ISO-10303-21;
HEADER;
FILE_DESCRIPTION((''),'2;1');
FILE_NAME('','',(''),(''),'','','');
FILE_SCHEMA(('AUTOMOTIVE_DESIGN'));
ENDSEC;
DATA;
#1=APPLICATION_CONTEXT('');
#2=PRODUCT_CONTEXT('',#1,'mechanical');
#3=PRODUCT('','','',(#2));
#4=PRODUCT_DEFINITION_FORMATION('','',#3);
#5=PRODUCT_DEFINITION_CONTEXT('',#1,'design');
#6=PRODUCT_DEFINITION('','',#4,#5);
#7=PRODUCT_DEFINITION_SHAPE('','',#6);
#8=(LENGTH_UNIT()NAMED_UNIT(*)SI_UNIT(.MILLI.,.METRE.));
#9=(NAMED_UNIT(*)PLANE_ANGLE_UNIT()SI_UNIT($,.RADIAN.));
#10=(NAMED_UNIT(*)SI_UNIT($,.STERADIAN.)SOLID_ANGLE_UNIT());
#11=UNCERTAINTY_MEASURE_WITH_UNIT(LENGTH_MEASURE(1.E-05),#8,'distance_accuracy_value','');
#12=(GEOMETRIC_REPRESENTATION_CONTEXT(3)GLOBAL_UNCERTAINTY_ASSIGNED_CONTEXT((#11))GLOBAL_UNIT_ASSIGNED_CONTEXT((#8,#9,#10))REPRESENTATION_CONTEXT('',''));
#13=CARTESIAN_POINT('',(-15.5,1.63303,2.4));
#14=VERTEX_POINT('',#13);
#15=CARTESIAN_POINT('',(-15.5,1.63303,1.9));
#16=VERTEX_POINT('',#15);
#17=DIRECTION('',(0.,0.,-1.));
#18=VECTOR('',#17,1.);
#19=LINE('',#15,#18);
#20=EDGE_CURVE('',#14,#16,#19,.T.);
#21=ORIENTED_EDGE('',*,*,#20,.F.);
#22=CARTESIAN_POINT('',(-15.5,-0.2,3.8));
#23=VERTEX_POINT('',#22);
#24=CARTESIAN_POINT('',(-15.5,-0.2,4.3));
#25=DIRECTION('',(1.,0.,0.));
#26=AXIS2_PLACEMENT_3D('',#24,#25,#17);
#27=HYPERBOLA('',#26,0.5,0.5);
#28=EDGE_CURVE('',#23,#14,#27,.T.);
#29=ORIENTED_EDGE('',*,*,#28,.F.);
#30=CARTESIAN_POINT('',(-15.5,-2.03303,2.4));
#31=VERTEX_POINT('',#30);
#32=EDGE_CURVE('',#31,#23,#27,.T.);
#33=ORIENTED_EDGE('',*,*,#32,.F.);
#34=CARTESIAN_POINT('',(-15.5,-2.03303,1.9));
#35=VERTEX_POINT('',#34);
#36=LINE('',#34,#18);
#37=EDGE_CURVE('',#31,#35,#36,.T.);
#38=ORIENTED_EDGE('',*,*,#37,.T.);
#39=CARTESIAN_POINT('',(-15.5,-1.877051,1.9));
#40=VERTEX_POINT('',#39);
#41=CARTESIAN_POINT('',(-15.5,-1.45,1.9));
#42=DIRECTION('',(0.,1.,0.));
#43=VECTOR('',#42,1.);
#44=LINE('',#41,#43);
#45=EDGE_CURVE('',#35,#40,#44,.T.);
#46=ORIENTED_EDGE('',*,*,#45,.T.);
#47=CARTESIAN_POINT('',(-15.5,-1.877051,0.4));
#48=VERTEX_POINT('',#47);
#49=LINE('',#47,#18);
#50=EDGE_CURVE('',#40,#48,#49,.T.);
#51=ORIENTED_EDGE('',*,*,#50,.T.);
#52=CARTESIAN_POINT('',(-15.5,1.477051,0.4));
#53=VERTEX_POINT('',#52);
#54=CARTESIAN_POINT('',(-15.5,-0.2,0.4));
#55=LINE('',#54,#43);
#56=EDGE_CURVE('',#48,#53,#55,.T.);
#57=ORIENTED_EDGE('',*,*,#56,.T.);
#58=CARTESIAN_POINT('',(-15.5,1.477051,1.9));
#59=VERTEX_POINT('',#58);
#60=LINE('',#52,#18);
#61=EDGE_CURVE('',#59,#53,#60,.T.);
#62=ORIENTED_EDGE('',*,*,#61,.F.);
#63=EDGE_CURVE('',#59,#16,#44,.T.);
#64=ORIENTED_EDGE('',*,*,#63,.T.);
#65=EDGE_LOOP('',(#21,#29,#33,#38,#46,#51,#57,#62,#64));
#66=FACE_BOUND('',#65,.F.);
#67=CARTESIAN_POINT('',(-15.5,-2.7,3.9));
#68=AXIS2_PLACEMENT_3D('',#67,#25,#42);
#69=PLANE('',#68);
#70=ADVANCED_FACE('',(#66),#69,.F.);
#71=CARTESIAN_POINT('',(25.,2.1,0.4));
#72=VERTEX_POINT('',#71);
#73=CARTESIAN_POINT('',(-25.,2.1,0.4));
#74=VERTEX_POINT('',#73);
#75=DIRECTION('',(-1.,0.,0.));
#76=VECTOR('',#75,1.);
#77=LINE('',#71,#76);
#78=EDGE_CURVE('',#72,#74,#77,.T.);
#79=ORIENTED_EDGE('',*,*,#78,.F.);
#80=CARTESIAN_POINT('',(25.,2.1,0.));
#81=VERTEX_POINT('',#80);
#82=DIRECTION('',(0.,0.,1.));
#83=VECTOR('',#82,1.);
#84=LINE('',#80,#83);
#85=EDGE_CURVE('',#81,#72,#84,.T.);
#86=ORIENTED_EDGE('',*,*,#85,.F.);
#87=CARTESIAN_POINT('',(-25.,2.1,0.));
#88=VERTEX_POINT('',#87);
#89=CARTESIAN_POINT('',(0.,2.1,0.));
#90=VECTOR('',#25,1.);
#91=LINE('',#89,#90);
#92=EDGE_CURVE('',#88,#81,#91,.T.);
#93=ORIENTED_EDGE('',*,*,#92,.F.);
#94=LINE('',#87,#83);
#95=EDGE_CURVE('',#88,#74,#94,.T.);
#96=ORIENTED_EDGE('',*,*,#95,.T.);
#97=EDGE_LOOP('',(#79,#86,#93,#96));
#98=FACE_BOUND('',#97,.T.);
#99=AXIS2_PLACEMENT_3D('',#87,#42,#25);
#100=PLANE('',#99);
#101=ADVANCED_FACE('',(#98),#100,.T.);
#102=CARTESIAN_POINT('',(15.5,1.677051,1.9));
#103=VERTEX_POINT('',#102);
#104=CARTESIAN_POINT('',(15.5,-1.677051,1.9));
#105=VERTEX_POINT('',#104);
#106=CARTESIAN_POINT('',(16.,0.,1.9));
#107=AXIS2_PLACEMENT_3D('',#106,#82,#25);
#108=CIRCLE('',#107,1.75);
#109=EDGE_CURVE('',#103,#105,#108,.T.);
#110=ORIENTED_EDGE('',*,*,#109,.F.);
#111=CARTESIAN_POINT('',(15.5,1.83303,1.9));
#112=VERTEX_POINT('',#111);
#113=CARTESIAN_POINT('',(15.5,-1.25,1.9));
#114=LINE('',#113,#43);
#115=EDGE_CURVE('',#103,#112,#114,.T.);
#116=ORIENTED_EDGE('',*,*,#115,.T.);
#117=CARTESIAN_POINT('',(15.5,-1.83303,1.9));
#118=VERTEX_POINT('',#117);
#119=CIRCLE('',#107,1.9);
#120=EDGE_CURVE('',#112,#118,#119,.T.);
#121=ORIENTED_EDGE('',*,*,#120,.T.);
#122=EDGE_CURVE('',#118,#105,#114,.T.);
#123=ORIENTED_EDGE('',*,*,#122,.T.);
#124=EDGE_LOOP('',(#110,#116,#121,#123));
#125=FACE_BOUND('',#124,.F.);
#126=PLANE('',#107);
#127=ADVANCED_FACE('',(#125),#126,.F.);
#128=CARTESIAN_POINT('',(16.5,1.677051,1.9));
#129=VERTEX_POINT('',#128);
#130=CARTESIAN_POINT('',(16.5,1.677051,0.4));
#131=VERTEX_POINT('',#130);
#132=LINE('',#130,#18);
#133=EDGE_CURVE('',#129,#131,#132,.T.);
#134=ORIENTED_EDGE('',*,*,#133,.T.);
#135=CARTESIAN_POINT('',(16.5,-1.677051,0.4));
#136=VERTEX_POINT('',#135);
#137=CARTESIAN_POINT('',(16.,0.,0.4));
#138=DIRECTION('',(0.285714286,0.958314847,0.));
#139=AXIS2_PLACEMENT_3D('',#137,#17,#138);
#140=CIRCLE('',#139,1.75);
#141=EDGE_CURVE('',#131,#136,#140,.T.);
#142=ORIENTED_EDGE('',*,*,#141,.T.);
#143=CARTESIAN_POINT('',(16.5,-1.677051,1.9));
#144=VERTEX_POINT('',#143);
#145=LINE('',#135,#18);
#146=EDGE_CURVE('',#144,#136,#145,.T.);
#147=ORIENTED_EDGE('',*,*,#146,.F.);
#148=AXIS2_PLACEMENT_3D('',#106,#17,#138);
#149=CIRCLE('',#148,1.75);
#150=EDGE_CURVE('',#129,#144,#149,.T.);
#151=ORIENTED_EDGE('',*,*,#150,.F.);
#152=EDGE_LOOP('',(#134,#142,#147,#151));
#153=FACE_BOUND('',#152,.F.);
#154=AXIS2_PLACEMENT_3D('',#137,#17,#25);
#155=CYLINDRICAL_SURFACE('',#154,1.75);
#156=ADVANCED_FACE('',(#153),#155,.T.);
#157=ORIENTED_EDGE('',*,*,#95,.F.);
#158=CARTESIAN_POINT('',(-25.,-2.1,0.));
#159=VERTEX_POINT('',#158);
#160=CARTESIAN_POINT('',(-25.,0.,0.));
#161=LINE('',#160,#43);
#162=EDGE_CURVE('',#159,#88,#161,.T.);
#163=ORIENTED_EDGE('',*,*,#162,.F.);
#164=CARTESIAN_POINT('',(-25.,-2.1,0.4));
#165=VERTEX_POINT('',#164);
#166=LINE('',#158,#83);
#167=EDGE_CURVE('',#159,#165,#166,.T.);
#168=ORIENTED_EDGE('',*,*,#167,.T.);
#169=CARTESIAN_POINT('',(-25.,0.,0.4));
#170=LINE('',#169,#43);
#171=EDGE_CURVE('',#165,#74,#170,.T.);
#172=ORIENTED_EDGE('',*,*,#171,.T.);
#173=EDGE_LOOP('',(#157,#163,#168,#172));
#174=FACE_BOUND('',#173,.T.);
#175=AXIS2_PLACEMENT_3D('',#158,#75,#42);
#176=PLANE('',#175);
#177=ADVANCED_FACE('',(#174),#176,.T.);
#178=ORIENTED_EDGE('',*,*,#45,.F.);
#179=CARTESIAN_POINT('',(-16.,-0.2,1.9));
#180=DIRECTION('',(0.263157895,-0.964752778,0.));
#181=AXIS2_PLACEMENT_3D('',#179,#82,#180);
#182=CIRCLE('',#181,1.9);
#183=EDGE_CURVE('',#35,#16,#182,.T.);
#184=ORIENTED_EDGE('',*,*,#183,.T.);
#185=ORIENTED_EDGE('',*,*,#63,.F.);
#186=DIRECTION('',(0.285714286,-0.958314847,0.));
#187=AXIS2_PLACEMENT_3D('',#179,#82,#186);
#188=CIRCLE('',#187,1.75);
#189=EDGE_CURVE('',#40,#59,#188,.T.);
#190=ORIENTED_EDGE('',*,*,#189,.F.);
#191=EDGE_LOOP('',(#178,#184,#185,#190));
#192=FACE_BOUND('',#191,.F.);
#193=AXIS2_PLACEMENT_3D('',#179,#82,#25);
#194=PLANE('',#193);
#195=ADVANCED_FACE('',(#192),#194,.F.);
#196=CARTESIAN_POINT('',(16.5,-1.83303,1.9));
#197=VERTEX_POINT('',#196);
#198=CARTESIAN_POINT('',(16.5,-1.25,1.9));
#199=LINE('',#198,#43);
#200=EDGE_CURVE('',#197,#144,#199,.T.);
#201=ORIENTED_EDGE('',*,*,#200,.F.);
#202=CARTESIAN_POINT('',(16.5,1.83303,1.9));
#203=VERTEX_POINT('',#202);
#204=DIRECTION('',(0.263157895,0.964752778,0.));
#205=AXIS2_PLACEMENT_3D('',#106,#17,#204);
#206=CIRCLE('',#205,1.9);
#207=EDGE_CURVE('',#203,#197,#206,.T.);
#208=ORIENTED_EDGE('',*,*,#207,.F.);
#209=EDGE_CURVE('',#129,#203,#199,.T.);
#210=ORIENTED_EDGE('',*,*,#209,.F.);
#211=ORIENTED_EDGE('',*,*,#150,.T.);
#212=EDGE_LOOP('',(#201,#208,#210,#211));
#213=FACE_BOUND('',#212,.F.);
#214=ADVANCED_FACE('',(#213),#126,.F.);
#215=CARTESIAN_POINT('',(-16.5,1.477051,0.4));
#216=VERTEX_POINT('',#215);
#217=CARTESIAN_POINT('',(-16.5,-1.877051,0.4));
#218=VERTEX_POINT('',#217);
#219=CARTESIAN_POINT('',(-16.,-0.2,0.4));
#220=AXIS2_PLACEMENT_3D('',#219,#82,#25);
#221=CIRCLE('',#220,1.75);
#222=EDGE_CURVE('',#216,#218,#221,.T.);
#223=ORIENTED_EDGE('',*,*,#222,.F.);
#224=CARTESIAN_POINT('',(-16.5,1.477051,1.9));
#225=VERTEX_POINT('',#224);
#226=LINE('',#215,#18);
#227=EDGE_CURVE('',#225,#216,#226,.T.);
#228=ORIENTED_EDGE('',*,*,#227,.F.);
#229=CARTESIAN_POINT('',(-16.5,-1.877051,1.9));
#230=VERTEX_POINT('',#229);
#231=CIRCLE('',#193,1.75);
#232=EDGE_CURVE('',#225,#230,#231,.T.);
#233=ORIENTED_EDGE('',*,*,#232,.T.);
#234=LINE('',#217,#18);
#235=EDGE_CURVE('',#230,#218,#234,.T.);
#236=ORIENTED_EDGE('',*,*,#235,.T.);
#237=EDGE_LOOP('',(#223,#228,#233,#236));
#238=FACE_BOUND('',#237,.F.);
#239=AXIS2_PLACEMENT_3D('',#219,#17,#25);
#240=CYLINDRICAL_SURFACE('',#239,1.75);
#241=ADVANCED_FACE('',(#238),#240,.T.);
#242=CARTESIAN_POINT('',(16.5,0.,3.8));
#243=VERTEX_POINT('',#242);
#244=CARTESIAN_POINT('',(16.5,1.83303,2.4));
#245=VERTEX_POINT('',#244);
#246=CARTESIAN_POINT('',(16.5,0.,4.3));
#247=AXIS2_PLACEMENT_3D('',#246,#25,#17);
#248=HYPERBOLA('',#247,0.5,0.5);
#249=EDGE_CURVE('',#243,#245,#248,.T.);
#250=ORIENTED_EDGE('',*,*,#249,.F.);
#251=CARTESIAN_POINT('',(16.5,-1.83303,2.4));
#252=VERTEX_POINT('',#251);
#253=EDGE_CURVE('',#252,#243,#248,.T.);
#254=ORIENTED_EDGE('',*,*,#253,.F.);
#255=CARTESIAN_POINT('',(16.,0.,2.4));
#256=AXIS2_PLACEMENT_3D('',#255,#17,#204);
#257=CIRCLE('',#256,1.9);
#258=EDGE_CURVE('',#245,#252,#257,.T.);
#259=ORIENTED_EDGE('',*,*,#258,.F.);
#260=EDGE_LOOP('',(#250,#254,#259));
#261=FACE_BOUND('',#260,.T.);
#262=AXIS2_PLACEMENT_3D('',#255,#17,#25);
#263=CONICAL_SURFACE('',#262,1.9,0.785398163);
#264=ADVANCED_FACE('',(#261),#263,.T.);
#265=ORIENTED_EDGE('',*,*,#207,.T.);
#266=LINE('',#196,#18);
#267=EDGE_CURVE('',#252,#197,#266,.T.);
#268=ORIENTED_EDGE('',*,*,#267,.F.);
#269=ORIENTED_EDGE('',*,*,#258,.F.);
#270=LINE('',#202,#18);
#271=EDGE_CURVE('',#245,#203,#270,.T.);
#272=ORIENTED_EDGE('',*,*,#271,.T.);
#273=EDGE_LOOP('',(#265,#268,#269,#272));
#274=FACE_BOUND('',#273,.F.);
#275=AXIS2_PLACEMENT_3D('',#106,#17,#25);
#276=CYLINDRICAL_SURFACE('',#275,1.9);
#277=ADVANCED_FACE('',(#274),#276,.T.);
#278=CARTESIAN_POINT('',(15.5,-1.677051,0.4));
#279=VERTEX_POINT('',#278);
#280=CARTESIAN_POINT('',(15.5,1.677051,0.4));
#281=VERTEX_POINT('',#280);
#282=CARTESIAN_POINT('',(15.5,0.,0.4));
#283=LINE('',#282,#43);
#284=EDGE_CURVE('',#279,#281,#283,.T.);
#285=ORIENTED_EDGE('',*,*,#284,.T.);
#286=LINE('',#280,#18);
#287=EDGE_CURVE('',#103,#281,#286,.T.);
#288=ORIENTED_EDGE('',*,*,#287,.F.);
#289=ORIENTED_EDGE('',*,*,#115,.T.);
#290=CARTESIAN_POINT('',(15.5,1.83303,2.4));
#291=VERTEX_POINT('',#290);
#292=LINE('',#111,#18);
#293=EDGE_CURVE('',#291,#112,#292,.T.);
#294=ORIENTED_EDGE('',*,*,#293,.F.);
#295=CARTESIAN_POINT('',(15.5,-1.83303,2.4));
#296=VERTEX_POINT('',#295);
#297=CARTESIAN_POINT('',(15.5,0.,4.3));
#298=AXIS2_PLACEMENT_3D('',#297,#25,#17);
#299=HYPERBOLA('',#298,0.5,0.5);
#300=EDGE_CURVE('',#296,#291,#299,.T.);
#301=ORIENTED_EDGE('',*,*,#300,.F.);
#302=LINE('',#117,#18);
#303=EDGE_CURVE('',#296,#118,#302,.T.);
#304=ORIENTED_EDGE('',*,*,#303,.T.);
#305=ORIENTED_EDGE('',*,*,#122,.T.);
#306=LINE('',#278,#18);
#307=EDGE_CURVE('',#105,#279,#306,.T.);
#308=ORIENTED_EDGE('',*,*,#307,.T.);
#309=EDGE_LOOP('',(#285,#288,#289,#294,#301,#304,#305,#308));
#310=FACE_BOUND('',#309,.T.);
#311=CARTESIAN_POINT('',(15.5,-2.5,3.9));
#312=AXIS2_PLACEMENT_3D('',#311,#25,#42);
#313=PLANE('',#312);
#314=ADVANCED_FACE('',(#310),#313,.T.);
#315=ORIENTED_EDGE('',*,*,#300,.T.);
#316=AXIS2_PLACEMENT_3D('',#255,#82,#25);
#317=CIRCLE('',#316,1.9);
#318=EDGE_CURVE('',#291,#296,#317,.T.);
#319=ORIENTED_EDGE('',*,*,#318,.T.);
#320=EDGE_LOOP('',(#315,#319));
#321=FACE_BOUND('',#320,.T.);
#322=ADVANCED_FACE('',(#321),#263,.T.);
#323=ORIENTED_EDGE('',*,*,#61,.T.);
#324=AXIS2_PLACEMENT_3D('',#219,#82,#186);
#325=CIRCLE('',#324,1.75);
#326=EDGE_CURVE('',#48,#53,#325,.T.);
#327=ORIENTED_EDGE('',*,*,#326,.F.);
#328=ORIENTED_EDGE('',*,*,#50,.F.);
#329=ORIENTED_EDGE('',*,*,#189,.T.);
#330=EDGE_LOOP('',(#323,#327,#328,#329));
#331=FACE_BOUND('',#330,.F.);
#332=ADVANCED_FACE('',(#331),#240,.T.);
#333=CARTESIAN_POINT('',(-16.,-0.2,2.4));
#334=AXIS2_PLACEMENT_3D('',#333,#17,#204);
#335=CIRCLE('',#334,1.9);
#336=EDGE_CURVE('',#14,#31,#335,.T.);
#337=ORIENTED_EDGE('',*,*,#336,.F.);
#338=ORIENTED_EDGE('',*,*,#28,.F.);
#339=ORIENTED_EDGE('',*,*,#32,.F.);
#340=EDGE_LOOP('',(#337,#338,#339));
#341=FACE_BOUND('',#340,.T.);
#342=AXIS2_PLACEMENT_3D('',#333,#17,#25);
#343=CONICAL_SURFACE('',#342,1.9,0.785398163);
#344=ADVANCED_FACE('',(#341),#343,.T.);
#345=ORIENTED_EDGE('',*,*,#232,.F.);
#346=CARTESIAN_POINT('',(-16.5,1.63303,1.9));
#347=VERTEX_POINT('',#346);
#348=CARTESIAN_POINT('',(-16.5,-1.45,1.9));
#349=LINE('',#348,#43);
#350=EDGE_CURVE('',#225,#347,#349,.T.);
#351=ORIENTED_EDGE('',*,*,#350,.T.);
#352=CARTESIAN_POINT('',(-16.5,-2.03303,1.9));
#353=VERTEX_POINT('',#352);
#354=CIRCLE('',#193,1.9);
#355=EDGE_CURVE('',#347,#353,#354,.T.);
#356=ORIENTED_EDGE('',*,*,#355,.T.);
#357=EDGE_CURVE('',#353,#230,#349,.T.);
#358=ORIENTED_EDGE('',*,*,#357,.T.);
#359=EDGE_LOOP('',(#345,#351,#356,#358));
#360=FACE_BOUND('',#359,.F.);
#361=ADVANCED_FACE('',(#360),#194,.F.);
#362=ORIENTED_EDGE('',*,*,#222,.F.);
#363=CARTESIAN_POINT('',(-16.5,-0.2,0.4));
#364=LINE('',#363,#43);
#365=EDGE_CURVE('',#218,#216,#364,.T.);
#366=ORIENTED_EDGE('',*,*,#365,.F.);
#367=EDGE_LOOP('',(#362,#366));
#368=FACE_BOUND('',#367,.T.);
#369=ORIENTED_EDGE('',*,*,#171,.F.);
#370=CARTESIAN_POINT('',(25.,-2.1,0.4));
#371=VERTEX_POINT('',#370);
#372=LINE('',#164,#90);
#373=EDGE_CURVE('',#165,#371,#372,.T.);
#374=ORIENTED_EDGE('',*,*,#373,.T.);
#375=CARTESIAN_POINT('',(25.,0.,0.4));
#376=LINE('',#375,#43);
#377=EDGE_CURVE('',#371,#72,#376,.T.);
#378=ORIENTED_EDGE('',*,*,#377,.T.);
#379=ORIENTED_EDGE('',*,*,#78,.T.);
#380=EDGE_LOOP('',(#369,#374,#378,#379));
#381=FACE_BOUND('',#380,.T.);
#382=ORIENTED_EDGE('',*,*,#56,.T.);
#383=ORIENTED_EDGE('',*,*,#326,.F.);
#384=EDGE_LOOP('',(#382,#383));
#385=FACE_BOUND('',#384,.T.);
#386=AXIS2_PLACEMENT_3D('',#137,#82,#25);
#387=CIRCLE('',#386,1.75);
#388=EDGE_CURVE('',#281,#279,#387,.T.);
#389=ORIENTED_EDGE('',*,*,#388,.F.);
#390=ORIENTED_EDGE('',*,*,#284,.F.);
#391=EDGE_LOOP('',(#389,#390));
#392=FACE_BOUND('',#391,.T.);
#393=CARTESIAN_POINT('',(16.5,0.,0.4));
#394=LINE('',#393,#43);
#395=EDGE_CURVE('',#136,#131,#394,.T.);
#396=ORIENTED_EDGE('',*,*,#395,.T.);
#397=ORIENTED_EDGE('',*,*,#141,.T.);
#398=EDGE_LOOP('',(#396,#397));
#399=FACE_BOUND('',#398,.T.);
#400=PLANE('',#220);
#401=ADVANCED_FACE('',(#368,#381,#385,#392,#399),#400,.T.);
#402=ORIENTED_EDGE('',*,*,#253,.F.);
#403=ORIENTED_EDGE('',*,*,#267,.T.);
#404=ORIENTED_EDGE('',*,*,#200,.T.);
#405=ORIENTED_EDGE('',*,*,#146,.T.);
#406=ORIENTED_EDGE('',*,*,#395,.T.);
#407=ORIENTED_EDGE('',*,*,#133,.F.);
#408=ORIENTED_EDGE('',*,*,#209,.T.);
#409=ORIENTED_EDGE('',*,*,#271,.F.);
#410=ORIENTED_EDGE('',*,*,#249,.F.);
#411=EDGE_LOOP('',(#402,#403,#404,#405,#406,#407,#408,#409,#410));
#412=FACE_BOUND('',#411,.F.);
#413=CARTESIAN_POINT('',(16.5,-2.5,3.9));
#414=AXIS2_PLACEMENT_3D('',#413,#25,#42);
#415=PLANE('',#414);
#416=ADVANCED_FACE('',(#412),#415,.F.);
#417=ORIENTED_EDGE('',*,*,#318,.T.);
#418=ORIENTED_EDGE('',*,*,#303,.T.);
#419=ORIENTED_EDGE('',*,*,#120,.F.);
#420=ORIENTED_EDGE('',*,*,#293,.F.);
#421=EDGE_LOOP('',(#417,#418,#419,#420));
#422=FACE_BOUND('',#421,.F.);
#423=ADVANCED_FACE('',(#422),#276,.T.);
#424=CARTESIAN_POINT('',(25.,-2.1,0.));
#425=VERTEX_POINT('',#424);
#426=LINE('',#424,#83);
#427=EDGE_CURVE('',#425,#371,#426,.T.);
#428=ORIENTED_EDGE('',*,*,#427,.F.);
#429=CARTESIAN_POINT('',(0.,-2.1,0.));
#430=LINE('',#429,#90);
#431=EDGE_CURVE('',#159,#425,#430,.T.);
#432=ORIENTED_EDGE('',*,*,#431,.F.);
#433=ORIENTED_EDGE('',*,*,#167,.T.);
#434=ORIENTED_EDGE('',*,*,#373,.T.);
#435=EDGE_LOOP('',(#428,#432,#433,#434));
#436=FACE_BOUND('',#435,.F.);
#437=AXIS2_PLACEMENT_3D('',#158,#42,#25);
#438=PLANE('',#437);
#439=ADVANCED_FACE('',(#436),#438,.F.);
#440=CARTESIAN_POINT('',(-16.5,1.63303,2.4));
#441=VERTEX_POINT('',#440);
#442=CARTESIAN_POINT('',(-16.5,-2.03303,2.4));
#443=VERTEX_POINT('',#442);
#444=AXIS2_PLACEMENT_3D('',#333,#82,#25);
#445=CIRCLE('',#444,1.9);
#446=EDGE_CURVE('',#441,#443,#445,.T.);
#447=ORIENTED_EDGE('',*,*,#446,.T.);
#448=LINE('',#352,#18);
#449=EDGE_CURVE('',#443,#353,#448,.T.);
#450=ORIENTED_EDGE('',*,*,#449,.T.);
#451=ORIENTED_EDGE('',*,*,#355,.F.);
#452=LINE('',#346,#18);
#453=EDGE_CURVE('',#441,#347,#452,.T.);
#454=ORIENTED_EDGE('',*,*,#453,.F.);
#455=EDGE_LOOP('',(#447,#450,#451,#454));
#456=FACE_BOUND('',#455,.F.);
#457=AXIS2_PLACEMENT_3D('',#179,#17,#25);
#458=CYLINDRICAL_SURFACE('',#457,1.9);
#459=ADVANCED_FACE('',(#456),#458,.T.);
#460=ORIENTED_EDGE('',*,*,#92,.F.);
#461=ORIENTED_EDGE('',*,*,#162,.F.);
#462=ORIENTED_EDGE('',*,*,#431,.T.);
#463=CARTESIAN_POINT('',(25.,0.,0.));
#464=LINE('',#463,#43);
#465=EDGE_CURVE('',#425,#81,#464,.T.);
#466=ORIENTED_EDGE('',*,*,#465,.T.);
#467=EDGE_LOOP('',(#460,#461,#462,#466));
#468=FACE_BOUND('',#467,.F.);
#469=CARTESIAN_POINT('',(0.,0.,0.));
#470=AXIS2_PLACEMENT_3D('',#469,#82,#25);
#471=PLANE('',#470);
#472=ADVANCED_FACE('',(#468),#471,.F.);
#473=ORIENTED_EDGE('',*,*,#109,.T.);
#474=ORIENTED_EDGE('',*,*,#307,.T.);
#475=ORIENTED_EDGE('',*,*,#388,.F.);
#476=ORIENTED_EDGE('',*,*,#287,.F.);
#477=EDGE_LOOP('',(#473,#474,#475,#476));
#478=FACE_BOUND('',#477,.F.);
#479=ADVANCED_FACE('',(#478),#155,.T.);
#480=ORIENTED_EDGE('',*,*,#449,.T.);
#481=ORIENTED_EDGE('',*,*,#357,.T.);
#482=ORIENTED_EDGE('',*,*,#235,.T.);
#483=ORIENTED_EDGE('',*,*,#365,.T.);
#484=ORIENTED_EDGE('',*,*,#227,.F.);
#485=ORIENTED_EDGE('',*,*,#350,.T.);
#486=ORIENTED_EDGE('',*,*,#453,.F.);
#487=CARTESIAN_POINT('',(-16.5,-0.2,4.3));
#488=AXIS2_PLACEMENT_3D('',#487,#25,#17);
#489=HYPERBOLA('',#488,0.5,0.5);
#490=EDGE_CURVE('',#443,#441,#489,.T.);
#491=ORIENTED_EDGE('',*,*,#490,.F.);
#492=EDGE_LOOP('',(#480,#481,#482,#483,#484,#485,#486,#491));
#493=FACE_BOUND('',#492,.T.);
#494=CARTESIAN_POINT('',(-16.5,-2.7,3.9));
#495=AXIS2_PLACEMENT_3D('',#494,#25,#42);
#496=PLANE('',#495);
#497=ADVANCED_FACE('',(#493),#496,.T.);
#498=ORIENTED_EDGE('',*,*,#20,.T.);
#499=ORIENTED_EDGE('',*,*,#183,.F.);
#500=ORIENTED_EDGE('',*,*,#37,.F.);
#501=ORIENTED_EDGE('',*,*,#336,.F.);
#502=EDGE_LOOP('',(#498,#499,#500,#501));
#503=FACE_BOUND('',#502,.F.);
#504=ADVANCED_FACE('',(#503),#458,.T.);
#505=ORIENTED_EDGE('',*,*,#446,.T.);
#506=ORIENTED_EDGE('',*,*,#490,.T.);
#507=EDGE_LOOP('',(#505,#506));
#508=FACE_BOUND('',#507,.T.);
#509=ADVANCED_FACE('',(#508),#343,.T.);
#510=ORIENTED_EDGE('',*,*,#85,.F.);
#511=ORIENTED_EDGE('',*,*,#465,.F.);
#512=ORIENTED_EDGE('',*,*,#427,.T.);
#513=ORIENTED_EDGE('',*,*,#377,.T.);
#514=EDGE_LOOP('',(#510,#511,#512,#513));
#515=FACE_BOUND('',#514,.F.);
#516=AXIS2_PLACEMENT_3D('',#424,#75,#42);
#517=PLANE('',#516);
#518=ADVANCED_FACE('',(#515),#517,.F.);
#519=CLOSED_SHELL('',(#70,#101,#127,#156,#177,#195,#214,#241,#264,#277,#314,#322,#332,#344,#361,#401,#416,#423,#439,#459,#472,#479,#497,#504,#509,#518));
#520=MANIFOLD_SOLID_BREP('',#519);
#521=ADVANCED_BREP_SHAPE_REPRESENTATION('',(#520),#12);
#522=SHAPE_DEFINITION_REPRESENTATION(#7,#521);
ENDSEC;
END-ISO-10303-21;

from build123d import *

# Parameters (mm, degrees)
SKICA2_W                 = 50
SKICA2_H                 = 4.2
P_IDAT_VYSUNUT_M2_DEPTH  = 0.4
SKICA3_R                 = 1.75
P_IDAT_VYSUNUT_M3_DEPTH  = 1.5
SKICA5_R                 = 1.9
P_IDAT_VYSUNUT_M5_DEPTH  = 2
ZKOSEN_2_SIZE            = 1.5
SKICA7_W                 = 1
SKICA7_H                 = 5
ODEBRAT_VYSUNUT_M1_DEPTH = 3.5


with BuildPart() as part:
    # Skica2 → Přidat vysunutím2 (new body)
    with BuildSketch(Plane.XY):
        Rectangle(SKICA2_W, SKICA2_H)
    extrude(amount=P_IDAT_VYSUNUT_M2_DEPTH)

    # Skica3 → Přidat vysunutím3 (add)
    with BuildSketch(Plane.XY.offset(0.4)):
        with Locations((-16, -0.2)):
            Circle(SKICA3_R)
        with Locations((16, 0)):
            Circle(SKICA3_R)
    extrude(amount=P_IDAT_VYSUNUT_M3_DEPTH)

    # Skica5 → Přidat vysunutím5 (add)
    with BuildSketch(Plane.XY.offset(1.9)):
        with Locations((-16, -0.2)):
            Circle(SKICA5_R)
        with Locations((16, 0)):
            Circle(SKICA5_R)
    extrude(amount=P_IDAT_VYSUNUT_M5_DEPTH)

    # Zkosení2
    zkosen_2_edges = [part.edges().sort_by_distance(p)[0] for p in [
        (-17.9, -0.2, 3.9),
        (14.1, 0, 3.9),
    ]]
    chamfer(zkosen_2_edges, length=ZKOSEN_2_SIZE)

    # Skica7 → Odebrat vysunutím1 (cut)
    with BuildSketch(Plane.XY.offset(3.9)):
        with Locations((-16, -0.2)):
            Rectangle(SKICA7_W, SKICA7_H)
        with Locations((16, 0)):
            Rectangle(SKICA7_W, SKICA7_H)
    extrude(amount=-ODEBRAT_VYSUNUT_M1_DEPTH, mode=Mode.SUBTRACT)


solid = part.part
